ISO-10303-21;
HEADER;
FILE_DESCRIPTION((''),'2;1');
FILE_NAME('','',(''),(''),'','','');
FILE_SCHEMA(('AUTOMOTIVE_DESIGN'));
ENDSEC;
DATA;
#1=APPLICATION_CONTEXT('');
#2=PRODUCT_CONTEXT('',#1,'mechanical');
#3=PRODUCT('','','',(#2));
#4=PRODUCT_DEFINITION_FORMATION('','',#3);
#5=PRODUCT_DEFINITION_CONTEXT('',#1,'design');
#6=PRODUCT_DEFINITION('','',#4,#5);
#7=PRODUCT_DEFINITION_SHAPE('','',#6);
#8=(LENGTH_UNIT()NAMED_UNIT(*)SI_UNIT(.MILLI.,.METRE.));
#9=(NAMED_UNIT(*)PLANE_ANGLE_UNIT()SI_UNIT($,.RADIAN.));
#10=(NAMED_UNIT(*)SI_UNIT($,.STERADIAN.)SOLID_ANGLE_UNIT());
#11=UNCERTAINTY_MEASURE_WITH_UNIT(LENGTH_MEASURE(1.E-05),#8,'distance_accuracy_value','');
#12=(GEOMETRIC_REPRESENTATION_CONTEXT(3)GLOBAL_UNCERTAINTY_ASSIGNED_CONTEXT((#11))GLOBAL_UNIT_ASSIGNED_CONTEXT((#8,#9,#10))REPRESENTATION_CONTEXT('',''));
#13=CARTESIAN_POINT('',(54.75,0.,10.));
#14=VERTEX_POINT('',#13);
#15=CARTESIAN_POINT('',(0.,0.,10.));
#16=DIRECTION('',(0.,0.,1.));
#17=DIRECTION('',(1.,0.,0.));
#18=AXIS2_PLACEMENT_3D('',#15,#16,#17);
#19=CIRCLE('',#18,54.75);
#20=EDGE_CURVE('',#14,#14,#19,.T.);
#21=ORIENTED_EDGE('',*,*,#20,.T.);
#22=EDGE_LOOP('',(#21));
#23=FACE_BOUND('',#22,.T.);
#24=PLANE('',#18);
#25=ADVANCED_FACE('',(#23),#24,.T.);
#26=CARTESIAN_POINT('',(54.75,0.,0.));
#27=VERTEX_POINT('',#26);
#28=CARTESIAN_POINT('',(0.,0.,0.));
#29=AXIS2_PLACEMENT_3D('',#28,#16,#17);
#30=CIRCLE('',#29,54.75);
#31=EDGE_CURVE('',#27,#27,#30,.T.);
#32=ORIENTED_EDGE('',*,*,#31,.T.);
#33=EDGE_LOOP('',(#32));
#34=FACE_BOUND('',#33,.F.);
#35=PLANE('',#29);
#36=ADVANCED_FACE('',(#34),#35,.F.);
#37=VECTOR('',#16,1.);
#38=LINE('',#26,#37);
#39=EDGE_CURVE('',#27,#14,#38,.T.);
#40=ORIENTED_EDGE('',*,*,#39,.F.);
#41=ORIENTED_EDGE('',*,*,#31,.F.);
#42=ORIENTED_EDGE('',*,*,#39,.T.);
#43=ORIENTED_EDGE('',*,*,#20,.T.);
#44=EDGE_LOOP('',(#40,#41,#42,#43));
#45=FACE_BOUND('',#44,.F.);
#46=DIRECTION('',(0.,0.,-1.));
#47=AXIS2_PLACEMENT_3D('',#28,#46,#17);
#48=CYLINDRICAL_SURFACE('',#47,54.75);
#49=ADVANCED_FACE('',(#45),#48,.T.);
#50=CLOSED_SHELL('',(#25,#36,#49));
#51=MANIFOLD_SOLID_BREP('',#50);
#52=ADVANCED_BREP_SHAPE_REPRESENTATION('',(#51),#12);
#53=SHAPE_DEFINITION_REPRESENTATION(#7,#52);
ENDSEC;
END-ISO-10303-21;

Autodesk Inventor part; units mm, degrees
ref_plane "YZ Plane" through (0, 0, 0) normal (1, 0, 0) x (0, 1, 0)
ref_plane "XZ Plane" through (0, 0, 0) normal (0, 1, 0) x (-1, 0, 0)
ref_plane "XY Plane" through (0, 0, 0) normal (0, 0, 1) x (1, 0, 0)
sketch "草圖1" plane through (0, 0, 0) normal (0, 0, 1) x (1, 0, 0)
  circle A0 centre (0, 0) radius 54.75
  dimension "d0" = 109.5
extrude "擠出1" add sketch "草圖1" along normal blind 10
properties part number "Stage1_Ring"
